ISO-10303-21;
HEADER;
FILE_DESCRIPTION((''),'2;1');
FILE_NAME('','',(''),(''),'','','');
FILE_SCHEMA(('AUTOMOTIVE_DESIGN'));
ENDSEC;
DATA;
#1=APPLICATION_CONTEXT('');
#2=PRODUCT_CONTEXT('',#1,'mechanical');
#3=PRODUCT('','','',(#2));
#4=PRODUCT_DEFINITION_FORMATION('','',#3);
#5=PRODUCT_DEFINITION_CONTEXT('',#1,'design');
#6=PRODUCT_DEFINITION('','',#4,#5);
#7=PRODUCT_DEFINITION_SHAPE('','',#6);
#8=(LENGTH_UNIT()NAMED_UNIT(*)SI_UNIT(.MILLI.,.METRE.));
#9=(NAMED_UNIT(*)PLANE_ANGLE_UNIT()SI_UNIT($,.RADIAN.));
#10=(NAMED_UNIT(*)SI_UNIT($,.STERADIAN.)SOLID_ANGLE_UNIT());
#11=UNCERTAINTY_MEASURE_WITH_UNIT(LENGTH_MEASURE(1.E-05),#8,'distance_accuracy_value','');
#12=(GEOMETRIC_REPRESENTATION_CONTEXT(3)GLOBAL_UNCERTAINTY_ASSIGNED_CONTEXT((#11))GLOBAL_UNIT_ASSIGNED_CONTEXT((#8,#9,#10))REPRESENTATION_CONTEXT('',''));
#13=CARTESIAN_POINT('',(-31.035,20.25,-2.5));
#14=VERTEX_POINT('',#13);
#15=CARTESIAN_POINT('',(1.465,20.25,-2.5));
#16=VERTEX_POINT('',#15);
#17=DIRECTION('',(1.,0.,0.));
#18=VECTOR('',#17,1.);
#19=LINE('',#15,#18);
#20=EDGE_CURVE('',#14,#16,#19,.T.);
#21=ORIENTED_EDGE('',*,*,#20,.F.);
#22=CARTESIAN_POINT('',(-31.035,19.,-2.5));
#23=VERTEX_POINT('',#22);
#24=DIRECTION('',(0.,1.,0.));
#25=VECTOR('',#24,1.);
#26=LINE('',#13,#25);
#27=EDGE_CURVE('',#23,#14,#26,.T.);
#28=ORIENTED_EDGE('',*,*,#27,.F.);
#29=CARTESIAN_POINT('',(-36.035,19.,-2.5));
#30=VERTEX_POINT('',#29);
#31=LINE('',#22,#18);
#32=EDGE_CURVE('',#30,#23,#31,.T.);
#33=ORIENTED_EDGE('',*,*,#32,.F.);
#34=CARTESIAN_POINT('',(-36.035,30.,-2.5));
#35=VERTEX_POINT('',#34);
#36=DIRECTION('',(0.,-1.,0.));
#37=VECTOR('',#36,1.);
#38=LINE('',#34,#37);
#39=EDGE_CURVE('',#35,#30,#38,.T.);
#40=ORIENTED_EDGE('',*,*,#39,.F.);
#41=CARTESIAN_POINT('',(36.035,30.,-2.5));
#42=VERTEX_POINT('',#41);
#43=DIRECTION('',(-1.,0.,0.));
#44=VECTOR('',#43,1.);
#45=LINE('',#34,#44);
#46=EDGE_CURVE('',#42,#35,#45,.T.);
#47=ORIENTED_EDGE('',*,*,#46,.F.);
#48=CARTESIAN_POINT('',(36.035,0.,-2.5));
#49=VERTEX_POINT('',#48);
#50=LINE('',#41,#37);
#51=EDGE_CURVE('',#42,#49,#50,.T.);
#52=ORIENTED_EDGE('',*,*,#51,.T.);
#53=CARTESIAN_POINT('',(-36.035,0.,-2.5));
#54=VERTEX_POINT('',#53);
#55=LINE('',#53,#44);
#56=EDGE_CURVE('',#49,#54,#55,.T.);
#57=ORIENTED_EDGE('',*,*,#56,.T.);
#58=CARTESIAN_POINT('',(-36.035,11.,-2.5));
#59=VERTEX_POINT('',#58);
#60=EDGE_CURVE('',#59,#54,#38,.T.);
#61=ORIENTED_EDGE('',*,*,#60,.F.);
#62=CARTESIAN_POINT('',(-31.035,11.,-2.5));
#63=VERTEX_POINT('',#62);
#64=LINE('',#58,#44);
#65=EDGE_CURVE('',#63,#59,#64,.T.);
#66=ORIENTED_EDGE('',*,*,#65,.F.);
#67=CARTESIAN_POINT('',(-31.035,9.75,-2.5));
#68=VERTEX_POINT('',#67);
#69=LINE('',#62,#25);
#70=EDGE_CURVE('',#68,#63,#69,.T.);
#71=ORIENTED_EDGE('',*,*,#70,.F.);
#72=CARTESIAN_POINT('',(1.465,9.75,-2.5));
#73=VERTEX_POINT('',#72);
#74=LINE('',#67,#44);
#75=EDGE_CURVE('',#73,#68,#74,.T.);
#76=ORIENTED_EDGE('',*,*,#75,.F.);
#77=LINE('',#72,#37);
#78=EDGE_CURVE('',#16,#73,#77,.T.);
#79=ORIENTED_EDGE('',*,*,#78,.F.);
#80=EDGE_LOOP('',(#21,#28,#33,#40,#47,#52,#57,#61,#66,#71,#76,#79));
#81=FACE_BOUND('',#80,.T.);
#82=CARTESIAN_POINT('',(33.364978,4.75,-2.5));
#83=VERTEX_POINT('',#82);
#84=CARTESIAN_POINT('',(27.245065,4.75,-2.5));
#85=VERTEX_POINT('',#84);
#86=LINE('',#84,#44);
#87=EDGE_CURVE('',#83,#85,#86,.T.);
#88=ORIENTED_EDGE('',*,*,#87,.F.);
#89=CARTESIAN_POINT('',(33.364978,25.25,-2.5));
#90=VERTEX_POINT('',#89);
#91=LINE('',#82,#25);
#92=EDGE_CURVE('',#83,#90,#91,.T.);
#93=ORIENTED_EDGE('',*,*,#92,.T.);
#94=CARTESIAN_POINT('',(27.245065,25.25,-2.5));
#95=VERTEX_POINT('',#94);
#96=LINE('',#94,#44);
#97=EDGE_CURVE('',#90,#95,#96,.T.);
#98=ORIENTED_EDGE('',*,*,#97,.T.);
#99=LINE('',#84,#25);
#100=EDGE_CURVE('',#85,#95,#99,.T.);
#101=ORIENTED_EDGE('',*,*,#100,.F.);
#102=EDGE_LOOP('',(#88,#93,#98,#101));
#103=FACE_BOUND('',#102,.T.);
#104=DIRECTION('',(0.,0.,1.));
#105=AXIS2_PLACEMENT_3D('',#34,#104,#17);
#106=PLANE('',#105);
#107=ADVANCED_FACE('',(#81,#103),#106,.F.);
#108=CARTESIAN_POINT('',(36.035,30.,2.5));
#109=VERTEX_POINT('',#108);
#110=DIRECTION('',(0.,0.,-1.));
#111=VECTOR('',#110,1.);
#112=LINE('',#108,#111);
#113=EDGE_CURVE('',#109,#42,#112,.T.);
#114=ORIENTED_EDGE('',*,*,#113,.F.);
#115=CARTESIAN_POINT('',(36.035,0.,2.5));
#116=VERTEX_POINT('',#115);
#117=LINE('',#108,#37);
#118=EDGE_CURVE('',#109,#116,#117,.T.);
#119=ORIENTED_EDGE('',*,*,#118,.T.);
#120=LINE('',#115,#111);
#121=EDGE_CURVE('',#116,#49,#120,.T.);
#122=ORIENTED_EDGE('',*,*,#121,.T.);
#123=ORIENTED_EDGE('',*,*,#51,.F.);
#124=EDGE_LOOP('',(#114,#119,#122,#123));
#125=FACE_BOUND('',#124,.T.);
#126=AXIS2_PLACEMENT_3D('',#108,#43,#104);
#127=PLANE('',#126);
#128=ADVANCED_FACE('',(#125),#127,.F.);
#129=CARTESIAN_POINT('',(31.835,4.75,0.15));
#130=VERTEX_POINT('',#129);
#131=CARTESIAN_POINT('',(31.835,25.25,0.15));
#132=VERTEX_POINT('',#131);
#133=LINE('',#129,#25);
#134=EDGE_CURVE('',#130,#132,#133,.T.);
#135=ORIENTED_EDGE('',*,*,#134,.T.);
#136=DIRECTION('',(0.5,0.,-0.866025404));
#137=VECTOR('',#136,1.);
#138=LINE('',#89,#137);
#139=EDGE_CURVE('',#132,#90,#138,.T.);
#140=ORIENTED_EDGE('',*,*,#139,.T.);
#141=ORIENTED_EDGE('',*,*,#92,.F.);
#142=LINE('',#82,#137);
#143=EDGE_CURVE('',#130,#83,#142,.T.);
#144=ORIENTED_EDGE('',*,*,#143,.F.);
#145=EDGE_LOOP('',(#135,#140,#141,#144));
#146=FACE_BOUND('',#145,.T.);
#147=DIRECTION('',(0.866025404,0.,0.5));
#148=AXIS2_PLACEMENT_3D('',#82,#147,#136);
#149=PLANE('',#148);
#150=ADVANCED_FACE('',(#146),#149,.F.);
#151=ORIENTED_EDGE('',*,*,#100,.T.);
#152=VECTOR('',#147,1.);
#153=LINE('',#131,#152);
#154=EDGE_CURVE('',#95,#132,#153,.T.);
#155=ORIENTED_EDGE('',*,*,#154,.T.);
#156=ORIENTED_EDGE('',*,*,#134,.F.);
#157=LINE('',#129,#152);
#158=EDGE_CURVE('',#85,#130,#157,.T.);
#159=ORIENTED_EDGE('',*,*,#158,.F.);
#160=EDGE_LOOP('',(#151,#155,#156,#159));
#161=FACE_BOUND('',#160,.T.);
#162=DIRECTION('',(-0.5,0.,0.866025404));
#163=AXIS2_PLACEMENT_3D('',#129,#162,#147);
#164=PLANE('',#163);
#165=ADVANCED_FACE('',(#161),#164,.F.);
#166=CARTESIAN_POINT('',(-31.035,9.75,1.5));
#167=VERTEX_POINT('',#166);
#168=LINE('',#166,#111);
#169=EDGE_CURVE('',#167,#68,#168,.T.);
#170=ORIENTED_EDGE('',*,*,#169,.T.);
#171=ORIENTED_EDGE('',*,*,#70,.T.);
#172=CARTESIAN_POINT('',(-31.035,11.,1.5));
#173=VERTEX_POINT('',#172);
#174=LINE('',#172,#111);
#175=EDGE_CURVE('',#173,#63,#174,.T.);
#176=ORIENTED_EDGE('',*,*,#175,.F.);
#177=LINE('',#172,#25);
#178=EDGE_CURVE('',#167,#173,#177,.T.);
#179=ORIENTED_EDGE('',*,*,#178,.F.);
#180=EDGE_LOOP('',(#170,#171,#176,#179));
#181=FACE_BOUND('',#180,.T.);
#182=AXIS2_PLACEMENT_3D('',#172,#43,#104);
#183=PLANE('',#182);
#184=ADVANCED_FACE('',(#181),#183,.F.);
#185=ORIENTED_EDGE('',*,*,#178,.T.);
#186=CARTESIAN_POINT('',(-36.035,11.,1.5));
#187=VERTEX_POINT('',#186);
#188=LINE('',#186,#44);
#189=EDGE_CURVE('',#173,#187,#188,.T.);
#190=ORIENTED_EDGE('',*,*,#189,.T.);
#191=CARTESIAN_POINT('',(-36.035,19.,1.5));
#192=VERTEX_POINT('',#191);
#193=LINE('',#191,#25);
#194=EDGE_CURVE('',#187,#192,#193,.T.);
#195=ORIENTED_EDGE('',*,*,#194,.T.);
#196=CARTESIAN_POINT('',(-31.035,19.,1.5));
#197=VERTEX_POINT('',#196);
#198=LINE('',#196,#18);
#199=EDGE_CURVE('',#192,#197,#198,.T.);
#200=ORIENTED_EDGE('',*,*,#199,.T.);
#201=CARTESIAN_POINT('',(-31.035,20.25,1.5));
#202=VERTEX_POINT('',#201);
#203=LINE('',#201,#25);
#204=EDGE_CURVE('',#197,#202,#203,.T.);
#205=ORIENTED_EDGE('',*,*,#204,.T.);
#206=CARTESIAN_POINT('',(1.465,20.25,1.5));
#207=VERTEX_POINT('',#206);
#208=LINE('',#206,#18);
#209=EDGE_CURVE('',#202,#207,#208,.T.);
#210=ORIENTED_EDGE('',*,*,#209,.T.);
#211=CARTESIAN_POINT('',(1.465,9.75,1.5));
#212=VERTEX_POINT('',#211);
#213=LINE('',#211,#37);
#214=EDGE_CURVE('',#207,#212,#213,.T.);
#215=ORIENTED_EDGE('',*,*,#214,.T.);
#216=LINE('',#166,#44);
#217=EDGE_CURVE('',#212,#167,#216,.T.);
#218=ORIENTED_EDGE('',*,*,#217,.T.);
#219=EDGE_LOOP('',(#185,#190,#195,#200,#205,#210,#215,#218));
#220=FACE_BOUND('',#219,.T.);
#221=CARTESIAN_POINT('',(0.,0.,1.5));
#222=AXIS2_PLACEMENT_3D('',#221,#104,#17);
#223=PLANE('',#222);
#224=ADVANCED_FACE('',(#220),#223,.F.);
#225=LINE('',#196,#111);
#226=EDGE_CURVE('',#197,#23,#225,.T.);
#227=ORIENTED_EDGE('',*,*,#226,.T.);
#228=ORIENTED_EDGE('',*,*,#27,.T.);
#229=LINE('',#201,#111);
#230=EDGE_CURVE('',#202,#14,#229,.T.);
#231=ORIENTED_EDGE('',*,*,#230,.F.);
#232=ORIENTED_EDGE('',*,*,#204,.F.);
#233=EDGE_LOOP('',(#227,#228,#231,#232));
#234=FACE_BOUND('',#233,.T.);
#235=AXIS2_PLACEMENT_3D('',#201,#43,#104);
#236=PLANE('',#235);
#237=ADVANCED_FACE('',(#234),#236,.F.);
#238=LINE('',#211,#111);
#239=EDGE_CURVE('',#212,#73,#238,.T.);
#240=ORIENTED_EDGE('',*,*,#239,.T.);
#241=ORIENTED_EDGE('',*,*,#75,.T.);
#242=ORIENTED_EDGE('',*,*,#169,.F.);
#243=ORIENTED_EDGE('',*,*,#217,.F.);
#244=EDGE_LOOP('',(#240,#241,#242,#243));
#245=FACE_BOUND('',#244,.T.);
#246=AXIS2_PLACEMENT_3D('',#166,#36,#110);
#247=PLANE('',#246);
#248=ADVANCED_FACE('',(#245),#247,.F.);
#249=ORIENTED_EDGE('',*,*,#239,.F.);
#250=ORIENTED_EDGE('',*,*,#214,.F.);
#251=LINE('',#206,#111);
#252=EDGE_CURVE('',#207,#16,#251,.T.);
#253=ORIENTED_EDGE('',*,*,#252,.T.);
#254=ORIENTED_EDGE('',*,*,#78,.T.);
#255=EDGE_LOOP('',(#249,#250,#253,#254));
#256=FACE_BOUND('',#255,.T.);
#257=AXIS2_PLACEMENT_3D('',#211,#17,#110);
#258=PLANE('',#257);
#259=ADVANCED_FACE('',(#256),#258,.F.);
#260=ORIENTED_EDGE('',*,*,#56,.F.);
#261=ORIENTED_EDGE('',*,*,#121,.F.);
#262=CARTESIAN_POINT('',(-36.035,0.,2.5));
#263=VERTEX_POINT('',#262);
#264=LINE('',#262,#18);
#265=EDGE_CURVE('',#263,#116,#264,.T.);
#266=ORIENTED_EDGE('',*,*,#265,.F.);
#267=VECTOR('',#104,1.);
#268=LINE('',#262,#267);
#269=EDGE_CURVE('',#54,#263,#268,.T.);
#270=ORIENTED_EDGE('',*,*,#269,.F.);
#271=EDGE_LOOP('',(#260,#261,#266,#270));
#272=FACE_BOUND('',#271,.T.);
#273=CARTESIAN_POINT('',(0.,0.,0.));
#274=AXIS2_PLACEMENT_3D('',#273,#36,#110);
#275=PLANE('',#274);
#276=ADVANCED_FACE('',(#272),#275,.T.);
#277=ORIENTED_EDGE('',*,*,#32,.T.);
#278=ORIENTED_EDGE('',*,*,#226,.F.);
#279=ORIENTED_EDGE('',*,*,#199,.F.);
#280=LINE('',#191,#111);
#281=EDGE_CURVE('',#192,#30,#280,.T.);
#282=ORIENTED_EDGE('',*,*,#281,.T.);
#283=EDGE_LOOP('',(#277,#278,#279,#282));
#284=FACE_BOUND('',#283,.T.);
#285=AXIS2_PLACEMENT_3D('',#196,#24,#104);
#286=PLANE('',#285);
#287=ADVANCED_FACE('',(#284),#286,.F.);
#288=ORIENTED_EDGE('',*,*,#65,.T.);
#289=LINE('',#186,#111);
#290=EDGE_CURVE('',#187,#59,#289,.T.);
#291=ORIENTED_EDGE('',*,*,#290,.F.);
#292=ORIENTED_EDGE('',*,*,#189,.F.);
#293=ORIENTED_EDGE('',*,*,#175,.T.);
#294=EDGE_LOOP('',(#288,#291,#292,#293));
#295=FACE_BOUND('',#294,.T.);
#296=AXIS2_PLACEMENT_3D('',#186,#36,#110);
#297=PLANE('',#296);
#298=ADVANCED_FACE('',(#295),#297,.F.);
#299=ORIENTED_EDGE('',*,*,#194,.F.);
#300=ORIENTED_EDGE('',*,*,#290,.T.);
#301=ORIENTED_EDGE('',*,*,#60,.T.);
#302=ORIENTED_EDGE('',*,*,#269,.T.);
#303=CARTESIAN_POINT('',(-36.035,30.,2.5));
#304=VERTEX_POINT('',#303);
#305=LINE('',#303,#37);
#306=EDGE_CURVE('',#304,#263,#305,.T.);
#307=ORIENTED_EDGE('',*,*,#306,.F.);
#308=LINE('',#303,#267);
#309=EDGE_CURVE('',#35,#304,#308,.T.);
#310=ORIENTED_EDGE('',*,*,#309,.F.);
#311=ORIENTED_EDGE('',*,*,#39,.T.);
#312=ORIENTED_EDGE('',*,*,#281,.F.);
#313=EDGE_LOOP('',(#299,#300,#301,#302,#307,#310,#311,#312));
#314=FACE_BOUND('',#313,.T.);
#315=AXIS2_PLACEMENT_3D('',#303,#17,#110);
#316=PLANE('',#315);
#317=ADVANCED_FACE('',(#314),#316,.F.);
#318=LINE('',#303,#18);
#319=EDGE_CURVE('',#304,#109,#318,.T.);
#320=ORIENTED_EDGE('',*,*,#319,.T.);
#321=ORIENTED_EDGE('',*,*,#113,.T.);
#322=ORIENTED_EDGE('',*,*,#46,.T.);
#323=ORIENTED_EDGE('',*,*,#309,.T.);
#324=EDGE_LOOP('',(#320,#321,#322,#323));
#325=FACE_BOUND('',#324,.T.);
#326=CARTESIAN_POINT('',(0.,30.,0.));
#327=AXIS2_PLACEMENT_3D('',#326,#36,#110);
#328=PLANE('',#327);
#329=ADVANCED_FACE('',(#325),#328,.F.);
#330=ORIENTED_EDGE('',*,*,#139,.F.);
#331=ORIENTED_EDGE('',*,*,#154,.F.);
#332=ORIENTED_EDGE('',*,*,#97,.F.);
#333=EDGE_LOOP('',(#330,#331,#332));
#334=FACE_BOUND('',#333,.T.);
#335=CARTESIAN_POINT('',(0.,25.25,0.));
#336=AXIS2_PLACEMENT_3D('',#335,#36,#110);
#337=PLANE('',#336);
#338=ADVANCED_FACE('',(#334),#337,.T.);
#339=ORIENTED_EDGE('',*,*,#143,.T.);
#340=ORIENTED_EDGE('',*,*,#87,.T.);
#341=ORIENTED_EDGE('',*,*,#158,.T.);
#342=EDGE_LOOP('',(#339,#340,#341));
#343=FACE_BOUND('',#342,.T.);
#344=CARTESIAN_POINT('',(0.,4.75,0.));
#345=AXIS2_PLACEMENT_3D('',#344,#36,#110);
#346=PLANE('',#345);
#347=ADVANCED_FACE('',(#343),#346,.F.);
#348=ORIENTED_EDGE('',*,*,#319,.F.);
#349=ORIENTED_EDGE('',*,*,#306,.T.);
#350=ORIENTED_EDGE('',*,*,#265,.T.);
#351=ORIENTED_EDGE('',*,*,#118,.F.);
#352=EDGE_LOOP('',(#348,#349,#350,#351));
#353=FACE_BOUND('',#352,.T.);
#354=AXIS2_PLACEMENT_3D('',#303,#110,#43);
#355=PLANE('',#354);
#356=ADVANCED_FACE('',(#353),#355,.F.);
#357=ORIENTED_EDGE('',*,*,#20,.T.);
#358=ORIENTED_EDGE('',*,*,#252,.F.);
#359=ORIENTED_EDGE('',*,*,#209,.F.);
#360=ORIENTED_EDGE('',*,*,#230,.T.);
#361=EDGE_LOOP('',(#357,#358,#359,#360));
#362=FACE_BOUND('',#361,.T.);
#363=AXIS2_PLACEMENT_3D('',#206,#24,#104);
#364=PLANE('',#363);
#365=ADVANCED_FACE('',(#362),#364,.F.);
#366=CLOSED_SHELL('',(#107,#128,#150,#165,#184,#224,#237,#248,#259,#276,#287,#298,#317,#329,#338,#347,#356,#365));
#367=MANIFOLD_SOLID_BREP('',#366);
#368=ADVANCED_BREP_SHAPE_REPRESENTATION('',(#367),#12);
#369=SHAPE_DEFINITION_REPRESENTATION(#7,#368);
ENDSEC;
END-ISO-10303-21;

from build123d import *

# Parameters (mm, degrees)
SKETCH_1_W          = 72.07
SKETCH_1_H          = 5
EXTRUDE_1_DEPTH     = 30
CUT_EXTRUDE_1_DEPTH = 4
CUT_EXTRUDE_START   = -15
CUT_EXTRUDE_2_DEPTH = 10.25


with BuildPart() as part:
    # 草圖1 → 填料-伸長1 (new body)
    with BuildSketch(Plane(origin=(0, 0, 0), x_dir=(1, 0, 0), z_dir=(0, 1, 0))):
        Rectangle(SKETCH_1_W, SKETCH_1_H)
    extrude(amount=EXTRUDE_1_DEPTH)

    # 草圖2 → 除料-伸長1 (cut)
    with BuildSketch(Plane(origin=(0, 0, -2.5), x_dir=(-1, 0, 0), z_dir=(0, 0, -1))):
        Polygon((36.035, 19), (36.035, 11), (31.035, 11), (31.035, 9.75), (-1.465, 9.75), (-1.465, 20.25), (31.035, 20.25), (31.035, 19), align=None)
    extrude(amount=-CUT_EXTRUDE_1_DEPTH, mode=Mode.SUBTRACT)

    # 草圖3 → 除料-伸長2 (cut, symmetric)
    with BuildSketch(Plane(origin=(0, 30, 0), x_dir=(1, 0, 0), z_dir=(0, 1, 0)).offset(CUT_EXTRUDE_START)):
        Polygon((33.364978213, 2.5), (31.835, -0.15), (27.24506536, 2.5), align=None)
    extrude(amount=CUT_EXTRUDE_2_DEPTH, both=True, mode=Mode.SUBTRACT)


solid = part.part
